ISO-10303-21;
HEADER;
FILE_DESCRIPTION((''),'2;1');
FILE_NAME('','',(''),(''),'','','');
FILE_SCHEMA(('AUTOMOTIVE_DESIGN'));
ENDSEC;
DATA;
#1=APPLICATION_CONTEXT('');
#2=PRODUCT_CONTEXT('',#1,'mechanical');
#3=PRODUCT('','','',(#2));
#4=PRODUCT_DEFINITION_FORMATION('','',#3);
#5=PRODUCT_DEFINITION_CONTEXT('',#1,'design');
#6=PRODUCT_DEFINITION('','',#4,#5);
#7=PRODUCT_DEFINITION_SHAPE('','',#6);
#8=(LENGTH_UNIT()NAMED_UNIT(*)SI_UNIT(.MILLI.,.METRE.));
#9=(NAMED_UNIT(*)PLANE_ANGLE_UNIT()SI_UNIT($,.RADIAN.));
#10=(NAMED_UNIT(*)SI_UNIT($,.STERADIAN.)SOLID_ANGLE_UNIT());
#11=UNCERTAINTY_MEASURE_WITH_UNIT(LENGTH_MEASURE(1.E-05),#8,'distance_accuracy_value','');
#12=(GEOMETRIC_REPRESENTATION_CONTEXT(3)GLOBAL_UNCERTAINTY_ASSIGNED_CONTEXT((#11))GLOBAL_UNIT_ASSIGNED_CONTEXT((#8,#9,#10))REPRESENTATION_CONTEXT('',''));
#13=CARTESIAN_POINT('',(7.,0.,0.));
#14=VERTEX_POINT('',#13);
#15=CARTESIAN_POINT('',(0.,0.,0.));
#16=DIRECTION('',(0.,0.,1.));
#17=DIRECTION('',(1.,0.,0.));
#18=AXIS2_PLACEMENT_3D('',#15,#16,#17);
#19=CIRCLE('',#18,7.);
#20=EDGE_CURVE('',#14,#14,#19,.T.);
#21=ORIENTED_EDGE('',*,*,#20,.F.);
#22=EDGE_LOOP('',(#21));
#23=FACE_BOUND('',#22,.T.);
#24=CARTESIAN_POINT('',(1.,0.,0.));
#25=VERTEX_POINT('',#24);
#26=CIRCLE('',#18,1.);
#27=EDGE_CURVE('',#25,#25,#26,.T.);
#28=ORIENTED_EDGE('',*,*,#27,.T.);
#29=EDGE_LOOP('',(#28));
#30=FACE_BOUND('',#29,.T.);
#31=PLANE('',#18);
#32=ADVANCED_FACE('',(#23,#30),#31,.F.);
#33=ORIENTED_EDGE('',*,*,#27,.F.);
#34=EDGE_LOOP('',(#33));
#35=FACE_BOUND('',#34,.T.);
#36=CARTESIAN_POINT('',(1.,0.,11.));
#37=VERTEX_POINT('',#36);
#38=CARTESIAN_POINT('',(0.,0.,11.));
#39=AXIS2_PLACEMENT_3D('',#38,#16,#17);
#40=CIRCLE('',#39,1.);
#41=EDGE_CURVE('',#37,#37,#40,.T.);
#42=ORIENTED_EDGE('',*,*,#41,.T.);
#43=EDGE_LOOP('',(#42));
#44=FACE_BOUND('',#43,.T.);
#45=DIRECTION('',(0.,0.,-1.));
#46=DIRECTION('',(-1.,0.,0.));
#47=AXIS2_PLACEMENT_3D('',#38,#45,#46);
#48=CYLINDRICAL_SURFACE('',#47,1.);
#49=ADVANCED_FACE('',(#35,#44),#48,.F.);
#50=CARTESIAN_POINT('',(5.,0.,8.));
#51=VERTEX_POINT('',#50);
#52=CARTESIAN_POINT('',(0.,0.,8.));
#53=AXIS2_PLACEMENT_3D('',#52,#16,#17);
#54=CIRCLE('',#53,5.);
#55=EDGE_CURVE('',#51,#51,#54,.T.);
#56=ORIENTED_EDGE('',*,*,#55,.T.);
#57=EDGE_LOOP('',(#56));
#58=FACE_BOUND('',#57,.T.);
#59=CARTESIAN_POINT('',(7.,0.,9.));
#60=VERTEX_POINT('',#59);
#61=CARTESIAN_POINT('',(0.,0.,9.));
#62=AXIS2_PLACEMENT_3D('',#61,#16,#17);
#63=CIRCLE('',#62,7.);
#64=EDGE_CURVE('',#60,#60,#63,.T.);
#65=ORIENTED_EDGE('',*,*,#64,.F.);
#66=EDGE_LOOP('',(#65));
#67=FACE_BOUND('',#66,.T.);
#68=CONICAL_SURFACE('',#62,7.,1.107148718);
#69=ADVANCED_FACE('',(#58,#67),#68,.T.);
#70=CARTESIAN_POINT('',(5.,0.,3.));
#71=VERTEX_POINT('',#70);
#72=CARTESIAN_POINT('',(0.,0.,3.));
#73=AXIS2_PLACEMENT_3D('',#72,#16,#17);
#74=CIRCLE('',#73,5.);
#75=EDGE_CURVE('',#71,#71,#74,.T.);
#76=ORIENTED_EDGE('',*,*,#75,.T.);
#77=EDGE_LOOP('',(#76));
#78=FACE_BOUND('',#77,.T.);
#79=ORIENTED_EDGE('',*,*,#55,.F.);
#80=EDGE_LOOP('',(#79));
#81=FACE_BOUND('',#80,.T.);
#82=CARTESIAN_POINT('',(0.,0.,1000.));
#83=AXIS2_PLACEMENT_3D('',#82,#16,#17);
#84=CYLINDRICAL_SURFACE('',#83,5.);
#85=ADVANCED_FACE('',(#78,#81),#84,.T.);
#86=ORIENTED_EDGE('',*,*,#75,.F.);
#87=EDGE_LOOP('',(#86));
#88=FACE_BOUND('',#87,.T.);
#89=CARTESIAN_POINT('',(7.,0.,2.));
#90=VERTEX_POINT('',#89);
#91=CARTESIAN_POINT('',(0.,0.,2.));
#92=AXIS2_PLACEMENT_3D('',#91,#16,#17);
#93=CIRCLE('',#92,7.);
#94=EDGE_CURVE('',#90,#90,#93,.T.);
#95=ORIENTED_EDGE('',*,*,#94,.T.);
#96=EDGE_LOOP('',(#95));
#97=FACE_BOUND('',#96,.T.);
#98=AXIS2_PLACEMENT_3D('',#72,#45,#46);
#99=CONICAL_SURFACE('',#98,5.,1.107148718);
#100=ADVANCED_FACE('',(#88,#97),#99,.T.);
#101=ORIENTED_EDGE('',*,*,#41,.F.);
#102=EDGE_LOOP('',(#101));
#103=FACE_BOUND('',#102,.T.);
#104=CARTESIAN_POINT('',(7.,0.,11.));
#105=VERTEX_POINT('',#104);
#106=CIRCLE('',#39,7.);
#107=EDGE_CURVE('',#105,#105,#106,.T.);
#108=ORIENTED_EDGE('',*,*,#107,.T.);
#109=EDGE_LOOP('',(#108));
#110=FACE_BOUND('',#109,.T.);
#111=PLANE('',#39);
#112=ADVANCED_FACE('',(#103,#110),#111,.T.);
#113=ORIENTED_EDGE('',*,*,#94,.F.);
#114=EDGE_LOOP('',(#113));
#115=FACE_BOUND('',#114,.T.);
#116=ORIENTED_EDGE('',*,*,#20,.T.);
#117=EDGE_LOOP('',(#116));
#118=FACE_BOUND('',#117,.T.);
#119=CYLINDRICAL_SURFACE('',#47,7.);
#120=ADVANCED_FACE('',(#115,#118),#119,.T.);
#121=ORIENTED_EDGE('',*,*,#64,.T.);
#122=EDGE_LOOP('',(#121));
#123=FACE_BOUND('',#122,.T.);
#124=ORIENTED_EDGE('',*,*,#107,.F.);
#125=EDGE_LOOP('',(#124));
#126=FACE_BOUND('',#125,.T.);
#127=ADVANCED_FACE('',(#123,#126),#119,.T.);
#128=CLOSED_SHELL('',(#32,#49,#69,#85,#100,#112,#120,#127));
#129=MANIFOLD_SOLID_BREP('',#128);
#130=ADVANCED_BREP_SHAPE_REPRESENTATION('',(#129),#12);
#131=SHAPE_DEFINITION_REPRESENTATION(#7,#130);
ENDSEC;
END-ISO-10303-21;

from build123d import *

# Parameters (mm, degrees)
SKETCH1_R           = 7
SKETCH1_R_2         = 1
BOSS_EXTRUDE1_DEPTH = 11


with BuildPart() as part:
    # Sketch1 → Boss-Extrude1 (new body)
    with BuildSketch(Plane.XY):
        Circle(SKETCH1_R)
        Circle(SKETCH1_R_2, mode=Mode.SUBTRACT)
    extrude(amount=BOSS_EXTRUDE1_DEPTH)

    # Sketch4 → Cut-Revolve1 (revolve, cut)
    with BuildSketch(Plane(origin=(0, 0, 0), x_dir=(0, 0, -1), z_dir=(1, 0, 0))):
        Polygon((-2, 7), (-3, 5), (-8, 5), (-9, 7), align=None)
    revolve(axis=Axis((0, 0, 1000), (0, 0, -1)), mode=Mode.SUBTRACT)


solid = part.part
